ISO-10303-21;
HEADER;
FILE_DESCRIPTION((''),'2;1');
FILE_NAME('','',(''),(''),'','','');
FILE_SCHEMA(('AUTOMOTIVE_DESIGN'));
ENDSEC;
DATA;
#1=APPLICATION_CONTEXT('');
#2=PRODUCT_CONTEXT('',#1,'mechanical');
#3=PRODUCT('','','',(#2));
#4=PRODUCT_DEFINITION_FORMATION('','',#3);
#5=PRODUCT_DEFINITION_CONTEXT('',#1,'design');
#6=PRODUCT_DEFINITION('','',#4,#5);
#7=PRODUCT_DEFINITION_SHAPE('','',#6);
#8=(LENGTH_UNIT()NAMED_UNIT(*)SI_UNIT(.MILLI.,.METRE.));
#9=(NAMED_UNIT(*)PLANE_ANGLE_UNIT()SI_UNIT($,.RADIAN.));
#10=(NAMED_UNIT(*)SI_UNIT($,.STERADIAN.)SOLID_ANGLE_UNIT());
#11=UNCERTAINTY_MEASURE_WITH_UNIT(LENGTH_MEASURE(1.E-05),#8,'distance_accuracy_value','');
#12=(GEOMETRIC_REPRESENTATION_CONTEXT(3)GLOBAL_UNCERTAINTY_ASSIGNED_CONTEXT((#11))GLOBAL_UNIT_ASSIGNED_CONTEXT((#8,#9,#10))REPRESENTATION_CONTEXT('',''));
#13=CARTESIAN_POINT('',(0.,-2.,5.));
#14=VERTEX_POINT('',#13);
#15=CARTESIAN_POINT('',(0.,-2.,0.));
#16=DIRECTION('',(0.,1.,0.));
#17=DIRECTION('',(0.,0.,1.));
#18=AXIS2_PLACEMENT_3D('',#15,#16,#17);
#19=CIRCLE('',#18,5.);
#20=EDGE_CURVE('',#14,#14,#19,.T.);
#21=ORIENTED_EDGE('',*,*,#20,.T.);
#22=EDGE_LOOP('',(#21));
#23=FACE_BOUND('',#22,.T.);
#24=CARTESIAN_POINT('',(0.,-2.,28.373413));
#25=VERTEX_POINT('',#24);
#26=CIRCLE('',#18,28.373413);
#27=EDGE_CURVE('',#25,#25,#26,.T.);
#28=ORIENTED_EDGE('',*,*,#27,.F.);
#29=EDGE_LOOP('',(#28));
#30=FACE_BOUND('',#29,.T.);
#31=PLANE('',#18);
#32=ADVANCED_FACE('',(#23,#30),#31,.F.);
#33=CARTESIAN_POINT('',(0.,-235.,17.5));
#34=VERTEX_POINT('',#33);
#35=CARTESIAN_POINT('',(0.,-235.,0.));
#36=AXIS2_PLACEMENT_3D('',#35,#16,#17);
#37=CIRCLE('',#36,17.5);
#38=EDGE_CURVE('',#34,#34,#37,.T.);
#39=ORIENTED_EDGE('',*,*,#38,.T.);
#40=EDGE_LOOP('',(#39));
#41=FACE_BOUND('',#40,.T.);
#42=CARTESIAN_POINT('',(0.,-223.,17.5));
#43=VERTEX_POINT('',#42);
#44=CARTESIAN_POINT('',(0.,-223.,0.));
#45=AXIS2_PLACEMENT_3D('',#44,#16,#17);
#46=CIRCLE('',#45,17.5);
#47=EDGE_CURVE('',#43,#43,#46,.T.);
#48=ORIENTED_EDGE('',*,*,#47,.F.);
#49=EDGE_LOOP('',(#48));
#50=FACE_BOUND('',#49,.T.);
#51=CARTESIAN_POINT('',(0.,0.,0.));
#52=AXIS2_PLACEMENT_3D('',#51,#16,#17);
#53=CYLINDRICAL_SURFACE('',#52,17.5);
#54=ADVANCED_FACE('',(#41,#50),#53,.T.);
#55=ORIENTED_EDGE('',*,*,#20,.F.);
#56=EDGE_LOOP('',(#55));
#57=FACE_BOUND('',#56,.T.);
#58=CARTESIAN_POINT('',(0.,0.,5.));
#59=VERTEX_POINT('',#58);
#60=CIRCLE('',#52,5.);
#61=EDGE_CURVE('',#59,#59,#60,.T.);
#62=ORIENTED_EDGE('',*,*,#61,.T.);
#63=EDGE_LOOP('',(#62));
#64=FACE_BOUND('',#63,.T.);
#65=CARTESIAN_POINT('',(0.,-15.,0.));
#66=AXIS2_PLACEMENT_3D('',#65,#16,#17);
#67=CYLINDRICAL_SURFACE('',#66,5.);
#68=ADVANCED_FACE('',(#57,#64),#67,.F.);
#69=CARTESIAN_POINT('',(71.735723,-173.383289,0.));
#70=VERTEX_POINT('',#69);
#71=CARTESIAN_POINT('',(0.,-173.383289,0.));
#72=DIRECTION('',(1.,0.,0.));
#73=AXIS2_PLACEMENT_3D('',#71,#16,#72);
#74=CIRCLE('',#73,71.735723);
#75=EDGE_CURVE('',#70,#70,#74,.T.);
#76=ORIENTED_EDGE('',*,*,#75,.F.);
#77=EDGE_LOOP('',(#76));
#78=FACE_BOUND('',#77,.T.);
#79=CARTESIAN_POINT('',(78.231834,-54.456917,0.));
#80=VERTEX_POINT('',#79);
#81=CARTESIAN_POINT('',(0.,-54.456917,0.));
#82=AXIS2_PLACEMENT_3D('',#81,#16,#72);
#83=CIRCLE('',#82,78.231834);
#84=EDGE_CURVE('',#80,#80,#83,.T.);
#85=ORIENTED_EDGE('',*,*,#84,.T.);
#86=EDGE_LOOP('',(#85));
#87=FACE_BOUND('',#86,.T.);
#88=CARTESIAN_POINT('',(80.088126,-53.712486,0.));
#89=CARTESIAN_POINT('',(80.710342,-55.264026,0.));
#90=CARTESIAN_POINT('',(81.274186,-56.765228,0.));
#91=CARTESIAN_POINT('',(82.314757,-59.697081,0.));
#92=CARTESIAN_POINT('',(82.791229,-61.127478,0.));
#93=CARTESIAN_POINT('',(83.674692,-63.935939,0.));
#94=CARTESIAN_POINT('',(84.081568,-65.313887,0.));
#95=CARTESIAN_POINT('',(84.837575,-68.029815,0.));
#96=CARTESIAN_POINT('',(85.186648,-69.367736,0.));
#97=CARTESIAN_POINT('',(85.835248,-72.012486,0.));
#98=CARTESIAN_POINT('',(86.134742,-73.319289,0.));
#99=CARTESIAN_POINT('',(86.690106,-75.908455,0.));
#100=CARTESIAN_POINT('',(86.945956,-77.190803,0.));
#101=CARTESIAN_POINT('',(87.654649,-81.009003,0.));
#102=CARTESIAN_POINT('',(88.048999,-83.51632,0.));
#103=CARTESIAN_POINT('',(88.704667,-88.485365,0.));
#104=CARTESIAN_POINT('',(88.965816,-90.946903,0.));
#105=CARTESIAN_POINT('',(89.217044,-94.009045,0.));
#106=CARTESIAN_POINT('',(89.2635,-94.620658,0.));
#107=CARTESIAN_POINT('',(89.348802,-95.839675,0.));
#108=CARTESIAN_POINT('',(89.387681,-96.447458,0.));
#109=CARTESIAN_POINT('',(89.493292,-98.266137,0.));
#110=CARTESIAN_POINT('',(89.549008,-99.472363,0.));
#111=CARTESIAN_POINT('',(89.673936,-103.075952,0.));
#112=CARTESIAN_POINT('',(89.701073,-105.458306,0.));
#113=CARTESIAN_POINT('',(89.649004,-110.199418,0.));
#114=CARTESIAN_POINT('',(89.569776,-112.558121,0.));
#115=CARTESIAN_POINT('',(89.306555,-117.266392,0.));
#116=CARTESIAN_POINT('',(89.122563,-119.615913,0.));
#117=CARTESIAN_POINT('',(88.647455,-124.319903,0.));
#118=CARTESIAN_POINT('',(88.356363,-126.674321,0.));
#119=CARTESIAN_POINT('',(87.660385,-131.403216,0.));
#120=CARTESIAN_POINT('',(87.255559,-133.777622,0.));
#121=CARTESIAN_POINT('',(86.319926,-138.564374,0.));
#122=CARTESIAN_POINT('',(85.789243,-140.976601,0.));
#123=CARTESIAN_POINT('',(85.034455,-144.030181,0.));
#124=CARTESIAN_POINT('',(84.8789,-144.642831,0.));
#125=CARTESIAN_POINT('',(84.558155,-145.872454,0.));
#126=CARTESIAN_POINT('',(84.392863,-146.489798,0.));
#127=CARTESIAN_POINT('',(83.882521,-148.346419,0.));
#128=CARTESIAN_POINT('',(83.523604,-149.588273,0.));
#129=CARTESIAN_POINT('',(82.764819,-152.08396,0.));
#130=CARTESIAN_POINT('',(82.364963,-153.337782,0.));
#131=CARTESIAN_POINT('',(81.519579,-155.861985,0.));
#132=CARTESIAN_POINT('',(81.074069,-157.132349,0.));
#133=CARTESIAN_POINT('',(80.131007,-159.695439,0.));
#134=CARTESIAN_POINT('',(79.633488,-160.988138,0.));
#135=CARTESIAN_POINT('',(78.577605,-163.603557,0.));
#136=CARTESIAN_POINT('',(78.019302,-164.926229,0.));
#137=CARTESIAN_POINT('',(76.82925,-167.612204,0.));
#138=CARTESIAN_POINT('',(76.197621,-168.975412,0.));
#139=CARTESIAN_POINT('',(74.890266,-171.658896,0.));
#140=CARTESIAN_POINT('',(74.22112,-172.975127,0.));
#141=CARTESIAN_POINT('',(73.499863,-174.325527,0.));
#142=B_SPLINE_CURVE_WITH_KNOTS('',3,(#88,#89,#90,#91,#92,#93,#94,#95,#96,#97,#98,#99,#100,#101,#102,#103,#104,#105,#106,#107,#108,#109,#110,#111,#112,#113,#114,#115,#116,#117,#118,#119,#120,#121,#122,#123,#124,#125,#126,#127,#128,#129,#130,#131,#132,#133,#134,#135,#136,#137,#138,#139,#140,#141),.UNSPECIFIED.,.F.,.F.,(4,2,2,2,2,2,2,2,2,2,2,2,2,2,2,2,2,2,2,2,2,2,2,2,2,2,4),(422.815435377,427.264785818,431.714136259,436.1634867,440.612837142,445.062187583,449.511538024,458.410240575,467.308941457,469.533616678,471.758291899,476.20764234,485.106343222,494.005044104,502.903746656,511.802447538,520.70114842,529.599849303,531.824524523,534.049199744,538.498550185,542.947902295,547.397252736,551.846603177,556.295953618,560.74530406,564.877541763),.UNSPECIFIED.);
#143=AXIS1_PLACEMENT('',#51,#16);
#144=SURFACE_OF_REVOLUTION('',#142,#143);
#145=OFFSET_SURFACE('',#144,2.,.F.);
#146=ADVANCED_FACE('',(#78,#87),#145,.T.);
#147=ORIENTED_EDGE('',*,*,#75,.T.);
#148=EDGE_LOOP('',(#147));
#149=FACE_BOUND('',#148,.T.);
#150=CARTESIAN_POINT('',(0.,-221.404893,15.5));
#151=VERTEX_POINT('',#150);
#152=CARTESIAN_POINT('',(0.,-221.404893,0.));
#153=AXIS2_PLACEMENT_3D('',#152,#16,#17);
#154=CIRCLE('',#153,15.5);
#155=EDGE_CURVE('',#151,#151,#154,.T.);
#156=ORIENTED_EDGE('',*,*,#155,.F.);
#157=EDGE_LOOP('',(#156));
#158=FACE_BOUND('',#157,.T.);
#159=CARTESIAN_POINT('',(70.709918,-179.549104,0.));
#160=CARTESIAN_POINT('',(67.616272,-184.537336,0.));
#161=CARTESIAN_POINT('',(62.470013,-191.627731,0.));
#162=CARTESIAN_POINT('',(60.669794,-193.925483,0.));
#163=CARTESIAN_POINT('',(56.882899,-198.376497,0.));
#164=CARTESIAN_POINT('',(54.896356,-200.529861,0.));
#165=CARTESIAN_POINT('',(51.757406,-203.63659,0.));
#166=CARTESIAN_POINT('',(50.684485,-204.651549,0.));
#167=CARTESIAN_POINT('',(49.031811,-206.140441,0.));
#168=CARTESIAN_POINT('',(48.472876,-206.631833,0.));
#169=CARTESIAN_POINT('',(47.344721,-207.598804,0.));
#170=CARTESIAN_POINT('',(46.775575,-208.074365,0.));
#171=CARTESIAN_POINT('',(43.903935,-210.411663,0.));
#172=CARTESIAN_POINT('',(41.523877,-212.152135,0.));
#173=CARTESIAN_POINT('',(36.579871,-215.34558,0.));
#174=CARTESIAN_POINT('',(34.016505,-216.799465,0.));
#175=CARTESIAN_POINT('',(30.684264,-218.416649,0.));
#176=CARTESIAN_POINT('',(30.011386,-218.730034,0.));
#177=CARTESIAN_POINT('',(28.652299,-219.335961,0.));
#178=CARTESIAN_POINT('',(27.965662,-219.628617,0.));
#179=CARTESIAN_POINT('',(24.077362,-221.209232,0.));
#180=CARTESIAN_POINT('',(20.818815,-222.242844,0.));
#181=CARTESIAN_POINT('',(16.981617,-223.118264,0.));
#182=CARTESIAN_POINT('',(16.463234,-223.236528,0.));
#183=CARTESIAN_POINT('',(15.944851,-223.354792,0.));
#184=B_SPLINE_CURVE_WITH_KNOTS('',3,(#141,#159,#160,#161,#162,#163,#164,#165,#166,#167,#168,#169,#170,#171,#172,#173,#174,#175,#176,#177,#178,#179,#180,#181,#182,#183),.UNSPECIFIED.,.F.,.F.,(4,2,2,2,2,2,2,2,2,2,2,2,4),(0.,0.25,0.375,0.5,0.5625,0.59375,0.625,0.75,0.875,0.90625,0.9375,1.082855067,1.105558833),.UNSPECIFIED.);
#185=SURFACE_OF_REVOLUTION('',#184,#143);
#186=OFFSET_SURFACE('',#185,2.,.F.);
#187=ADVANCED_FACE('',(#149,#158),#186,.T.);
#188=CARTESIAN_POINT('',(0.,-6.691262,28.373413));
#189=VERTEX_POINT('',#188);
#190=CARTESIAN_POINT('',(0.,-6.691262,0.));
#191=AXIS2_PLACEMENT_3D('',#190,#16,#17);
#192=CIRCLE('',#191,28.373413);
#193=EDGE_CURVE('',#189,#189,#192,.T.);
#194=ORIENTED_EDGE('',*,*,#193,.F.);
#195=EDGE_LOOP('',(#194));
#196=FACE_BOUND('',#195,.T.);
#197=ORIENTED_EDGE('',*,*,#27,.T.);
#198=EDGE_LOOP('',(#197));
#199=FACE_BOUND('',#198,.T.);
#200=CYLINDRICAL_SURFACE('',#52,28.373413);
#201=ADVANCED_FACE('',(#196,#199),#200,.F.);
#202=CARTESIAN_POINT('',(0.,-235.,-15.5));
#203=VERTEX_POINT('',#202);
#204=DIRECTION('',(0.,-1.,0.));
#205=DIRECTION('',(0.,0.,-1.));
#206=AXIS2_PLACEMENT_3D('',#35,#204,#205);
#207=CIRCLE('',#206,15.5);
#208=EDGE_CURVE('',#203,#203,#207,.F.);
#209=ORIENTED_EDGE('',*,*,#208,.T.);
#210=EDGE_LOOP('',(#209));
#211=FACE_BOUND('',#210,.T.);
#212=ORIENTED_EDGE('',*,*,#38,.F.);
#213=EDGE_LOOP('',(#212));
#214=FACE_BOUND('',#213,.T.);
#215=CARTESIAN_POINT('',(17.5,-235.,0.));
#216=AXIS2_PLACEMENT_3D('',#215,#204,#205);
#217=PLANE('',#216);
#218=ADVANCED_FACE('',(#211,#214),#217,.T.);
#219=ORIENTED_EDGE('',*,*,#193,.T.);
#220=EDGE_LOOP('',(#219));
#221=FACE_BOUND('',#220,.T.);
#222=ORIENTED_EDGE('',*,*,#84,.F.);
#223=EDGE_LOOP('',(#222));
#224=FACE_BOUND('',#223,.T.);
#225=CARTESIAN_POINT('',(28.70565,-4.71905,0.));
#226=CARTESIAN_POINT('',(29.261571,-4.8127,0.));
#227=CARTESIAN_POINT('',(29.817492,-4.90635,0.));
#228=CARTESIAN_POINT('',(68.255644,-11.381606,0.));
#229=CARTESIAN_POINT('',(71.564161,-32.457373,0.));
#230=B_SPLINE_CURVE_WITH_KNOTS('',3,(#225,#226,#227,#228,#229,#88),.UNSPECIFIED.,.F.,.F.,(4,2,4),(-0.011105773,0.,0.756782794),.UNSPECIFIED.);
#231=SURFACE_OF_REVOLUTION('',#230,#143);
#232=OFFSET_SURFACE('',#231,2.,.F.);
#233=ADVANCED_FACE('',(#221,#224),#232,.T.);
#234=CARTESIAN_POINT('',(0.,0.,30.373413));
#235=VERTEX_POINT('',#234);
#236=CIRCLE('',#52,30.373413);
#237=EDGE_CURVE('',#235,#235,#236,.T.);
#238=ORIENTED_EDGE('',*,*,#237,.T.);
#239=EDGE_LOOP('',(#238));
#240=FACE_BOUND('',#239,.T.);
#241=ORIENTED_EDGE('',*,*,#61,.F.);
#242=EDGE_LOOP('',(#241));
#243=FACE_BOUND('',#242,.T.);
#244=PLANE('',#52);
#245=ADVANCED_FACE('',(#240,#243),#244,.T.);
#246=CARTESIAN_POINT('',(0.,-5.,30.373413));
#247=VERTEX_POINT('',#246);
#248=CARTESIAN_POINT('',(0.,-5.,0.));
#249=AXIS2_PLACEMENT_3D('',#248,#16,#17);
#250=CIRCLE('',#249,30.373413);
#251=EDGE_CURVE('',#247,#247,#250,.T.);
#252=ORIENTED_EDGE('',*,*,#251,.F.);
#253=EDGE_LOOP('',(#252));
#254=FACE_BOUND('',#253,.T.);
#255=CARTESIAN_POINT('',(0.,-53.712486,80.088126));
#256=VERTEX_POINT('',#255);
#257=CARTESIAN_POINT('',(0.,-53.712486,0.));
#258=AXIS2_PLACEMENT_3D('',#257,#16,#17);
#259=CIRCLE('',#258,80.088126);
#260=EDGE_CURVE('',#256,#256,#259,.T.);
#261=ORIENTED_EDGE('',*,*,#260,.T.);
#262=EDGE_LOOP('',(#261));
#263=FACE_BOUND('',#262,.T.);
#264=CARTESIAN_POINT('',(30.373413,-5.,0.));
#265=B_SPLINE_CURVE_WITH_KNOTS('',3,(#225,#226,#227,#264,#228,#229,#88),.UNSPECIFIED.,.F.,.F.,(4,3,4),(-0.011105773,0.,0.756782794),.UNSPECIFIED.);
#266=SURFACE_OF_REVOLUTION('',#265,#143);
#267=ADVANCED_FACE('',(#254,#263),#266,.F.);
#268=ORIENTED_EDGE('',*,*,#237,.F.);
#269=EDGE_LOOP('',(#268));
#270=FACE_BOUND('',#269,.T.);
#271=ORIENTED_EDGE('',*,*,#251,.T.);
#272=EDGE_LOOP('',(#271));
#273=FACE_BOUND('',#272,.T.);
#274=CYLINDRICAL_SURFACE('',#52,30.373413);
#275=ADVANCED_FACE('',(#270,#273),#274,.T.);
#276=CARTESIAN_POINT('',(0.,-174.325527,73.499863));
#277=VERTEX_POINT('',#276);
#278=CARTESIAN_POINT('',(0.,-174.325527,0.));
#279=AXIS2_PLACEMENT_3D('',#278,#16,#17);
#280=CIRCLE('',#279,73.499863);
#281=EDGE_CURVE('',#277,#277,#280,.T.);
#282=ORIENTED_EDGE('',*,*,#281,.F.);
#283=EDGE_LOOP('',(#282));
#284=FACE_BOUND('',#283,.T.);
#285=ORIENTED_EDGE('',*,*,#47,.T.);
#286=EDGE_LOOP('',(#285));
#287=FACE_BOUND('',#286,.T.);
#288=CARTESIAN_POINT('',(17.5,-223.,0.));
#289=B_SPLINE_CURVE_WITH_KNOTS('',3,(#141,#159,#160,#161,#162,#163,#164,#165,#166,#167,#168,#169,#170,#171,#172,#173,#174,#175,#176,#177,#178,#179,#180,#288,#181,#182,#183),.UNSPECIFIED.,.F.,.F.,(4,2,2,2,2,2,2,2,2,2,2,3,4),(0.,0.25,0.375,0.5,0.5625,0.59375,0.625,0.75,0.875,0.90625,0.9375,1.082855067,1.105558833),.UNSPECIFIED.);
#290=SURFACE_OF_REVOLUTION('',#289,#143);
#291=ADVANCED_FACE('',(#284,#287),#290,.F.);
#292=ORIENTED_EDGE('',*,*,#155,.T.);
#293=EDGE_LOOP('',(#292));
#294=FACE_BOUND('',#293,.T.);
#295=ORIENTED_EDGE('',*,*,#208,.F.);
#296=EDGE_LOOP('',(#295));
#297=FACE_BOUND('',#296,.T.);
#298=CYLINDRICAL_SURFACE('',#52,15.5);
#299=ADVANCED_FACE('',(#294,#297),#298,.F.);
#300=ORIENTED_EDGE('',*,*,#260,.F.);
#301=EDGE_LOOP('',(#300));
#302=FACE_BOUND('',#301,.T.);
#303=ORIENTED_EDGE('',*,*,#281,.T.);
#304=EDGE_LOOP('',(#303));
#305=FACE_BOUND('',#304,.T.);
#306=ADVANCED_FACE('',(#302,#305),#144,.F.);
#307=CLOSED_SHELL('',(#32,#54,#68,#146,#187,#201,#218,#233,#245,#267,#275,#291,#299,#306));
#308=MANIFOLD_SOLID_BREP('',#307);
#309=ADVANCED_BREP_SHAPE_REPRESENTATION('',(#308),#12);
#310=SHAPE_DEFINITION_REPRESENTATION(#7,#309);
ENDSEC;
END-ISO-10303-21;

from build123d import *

# Parameters (mm, degrees)
SHELL3_T           = -2
SKETCH3_R          = 5
CUT_EXTRUDE1_DEPTH = 15


with BuildPart() as part:
    # Sketch2 → Revolve2 (revolve)
    with BuildSketch(Plane(origin=(0, 0, 0), x_dir=(-1, 0, 0), z_dir=(0, 0, -1)), mode=Mode.PRIVATE) as revolve2_sk:
        with BuildLine():
            Line((-17.5, -223), (-17.5, -235))
            Line((-17.5, -235), (0, -235))
            Line((0, -235), (0, 0))
            Line((0, 0), (-30.373412759, 0))
            Line((-30.373412759, 0), (-30.373412759, -5))
            add(Edge.make_bspline(
                [(-30.373412759, -5), (-68.255644441, -11.381606411), (-71.564160917, -32.457372842), (-80.088126346, -53.712485983)],
                knots=[0, 0, 0, 0, 0.756782794, 0.756782794, 0.756782794, 0.756782794], degree=3))
            add(Edge.make_bspline(
                [(-80.088126346, -53.712485983), (-80.710342488, -55.264026122), (-81.274185834, -56.765227602), (-82.314757199, -59.697080734), (-82.791229201, -61.127477869), (-83.674692355, -63.935939366), (-84.081567676, -65.313887223), (-84.837574886, -68.029814752), (-85.186648177, -69.367735659), (-85.835247655, -72.012486421), (-86.134742486, -73.31928851), (-86.690106047, -75.908455241), (-86.945956189, -77.190802562), (-87.654649192, -81.009003243), (-88.04899864, -83.516320185), (-88.704666889, -88.485364727), (-88.965816411, -90.946903422), (-89.217044092, -94.009045025), (-89.263499543, -94.620658382), (-89.348801959, -95.839675403), (-89.387681288, -96.447458164), (-89.493292417, -98.26613708), (-89.549008079, -99.472362876), (-89.673936304, -103.075951846), (-89.701072657, -105.458305613), (-89.649004485, -110.199418315), (-89.569775925, -112.558121163), (-89.306555096, -117.266391906), (-89.122563253, -119.615913096), (-88.647454668, -124.319902793), (-88.356362689, -126.674320786), (-87.660384993, -131.403215577), (-87.255558847, -133.777622363), (-86.319925745, -138.564374285), (-85.789242966, -140.976601149), (-85.034455165, -144.030180826), (-84.878899829, -144.642830623), (-84.558154932, -145.872454181), (-84.39286328, -146.489797739), (-83.882520752, -148.346418979), (-83.523603774, -149.588273009), (-82.764818824, -152.083959929), (-82.364963487, -153.337782339), (-81.519578677, -155.861985028), (-81.074069355, -157.132349205), (-80.131006956, -159.695439283), (-79.633487983, -160.988137809), (-78.577604706, -163.603556835), (-78.019301649, -164.926228518), (-76.829249806, -167.612203845), (-76.197620891, -168.975412371), (-74.890266263, -171.658896187), (-74.221119527, -172.975126744), (-73.499862727, -174.325526667)],
                knots=[422.815435377, 422.815435377, 422.815435377, 422.815435377, 427.264785818, 427.264785818, 431.714136259, 431.714136259, 436.1634867, 436.1634867, 440.612837142, 440.612837142, 445.062187583, 445.062187583, 449.511538024, 449.511538024, 458.410240575, 458.410240575, 467.308941457, 467.308941457, 469.533616678, 469.533616678, 471.758291899, 471.758291899, 476.20764234, 476.20764234, 485.106343222, 485.106343222, 494.005044104, 494.005044104, 502.903746656, 502.903746656, 511.802447538, 511.802447538, 520.70114842, 520.70114842, 529.599849303, 529.599849303, 531.824524523, 531.824524523, 534.049199744, 534.049199744, 538.498550185, 538.498550185, 542.947902295, 542.947902295, 547.397252736, 547.397252736, 551.846603177, 551.846603177, 556.295953618, 556.295953618, 560.74530406, 560.74530406, 564.877541763, 564.877541763, 564.877541763, 564.877541763], degree=3))
            add(Edge.make_bspline(
                [(-73.499862727, -174.325526667), (-70.70991814, -179.5491044), (-67.616272146, -184.537335562), (-62.470012801, -191.62773145), (-60.669793533, -193.925483291), (-56.882899322, -198.376497345), (-54.896355517, -200.529861179), (-51.757405659, -203.636589501), (-50.684484943, -204.651549362), (-49.031811401, -206.14044063), (-48.472875981, -206.631832772), (-47.344721225, -207.598804203), (-46.77557499, -208.074365155), (-43.903934935, -210.411663398), (-41.523876664, -212.152134702), (-36.57987058, -215.345580316), (-34.016504959, -216.799464839), (-30.684264043, -218.416649463), (-30.01138607, -218.730033913), (-28.65229928, -219.335961072), (-27.965662327, -219.628617074), (-24.077362229, -221.209232038), (-20.818815341, -222.242844297), (-17.5, -223)],
                knots=[0, 0, 0, 0, 0.25, 0.25, 0.375, 0.375, 0.5, 0.5, 0.5625, 0.5625, 0.59375, 0.59375, 0.625, 0.625, 0.75, 0.75, 0.875, 0.875, 0.90625, 0.90625, 0.9375, 0.9375, 1.082855067, 1.082855067, 1.082855067, 1.082855067], degree=3))
        make_face()
    revolve(revolve2_sk.sketch.rotate(Axis((0, 0, 0), (0, -1, 0)), 90), axis=Axis((0, 0, 0), (0, -1, 0)))

    # Shell3
    shell3_openings = [part.faces().sort_by_distance(p)[0] for p in [
        (0, -235, 0),
    ]]
    offset(amount=SHELL3_T, openings=shell3_openings, kind=Kind.INTERSECTION)

    # Sketch3 → Cut-Extrude1 (cut)
    with BuildSketch(Plane(origin=(0, 0, 0), x_dir=(1, 0, 0), z_dir=(0, 1, 0))):
        with Locations(Location((0, 0, 0), (0, 0, 270))):
            Circle(SKETCH3_R)
    extrude(amount=-CUT_EXTRUDE1_DEPTH, mode=Mode.SUBTRACT)


solid = part.part
